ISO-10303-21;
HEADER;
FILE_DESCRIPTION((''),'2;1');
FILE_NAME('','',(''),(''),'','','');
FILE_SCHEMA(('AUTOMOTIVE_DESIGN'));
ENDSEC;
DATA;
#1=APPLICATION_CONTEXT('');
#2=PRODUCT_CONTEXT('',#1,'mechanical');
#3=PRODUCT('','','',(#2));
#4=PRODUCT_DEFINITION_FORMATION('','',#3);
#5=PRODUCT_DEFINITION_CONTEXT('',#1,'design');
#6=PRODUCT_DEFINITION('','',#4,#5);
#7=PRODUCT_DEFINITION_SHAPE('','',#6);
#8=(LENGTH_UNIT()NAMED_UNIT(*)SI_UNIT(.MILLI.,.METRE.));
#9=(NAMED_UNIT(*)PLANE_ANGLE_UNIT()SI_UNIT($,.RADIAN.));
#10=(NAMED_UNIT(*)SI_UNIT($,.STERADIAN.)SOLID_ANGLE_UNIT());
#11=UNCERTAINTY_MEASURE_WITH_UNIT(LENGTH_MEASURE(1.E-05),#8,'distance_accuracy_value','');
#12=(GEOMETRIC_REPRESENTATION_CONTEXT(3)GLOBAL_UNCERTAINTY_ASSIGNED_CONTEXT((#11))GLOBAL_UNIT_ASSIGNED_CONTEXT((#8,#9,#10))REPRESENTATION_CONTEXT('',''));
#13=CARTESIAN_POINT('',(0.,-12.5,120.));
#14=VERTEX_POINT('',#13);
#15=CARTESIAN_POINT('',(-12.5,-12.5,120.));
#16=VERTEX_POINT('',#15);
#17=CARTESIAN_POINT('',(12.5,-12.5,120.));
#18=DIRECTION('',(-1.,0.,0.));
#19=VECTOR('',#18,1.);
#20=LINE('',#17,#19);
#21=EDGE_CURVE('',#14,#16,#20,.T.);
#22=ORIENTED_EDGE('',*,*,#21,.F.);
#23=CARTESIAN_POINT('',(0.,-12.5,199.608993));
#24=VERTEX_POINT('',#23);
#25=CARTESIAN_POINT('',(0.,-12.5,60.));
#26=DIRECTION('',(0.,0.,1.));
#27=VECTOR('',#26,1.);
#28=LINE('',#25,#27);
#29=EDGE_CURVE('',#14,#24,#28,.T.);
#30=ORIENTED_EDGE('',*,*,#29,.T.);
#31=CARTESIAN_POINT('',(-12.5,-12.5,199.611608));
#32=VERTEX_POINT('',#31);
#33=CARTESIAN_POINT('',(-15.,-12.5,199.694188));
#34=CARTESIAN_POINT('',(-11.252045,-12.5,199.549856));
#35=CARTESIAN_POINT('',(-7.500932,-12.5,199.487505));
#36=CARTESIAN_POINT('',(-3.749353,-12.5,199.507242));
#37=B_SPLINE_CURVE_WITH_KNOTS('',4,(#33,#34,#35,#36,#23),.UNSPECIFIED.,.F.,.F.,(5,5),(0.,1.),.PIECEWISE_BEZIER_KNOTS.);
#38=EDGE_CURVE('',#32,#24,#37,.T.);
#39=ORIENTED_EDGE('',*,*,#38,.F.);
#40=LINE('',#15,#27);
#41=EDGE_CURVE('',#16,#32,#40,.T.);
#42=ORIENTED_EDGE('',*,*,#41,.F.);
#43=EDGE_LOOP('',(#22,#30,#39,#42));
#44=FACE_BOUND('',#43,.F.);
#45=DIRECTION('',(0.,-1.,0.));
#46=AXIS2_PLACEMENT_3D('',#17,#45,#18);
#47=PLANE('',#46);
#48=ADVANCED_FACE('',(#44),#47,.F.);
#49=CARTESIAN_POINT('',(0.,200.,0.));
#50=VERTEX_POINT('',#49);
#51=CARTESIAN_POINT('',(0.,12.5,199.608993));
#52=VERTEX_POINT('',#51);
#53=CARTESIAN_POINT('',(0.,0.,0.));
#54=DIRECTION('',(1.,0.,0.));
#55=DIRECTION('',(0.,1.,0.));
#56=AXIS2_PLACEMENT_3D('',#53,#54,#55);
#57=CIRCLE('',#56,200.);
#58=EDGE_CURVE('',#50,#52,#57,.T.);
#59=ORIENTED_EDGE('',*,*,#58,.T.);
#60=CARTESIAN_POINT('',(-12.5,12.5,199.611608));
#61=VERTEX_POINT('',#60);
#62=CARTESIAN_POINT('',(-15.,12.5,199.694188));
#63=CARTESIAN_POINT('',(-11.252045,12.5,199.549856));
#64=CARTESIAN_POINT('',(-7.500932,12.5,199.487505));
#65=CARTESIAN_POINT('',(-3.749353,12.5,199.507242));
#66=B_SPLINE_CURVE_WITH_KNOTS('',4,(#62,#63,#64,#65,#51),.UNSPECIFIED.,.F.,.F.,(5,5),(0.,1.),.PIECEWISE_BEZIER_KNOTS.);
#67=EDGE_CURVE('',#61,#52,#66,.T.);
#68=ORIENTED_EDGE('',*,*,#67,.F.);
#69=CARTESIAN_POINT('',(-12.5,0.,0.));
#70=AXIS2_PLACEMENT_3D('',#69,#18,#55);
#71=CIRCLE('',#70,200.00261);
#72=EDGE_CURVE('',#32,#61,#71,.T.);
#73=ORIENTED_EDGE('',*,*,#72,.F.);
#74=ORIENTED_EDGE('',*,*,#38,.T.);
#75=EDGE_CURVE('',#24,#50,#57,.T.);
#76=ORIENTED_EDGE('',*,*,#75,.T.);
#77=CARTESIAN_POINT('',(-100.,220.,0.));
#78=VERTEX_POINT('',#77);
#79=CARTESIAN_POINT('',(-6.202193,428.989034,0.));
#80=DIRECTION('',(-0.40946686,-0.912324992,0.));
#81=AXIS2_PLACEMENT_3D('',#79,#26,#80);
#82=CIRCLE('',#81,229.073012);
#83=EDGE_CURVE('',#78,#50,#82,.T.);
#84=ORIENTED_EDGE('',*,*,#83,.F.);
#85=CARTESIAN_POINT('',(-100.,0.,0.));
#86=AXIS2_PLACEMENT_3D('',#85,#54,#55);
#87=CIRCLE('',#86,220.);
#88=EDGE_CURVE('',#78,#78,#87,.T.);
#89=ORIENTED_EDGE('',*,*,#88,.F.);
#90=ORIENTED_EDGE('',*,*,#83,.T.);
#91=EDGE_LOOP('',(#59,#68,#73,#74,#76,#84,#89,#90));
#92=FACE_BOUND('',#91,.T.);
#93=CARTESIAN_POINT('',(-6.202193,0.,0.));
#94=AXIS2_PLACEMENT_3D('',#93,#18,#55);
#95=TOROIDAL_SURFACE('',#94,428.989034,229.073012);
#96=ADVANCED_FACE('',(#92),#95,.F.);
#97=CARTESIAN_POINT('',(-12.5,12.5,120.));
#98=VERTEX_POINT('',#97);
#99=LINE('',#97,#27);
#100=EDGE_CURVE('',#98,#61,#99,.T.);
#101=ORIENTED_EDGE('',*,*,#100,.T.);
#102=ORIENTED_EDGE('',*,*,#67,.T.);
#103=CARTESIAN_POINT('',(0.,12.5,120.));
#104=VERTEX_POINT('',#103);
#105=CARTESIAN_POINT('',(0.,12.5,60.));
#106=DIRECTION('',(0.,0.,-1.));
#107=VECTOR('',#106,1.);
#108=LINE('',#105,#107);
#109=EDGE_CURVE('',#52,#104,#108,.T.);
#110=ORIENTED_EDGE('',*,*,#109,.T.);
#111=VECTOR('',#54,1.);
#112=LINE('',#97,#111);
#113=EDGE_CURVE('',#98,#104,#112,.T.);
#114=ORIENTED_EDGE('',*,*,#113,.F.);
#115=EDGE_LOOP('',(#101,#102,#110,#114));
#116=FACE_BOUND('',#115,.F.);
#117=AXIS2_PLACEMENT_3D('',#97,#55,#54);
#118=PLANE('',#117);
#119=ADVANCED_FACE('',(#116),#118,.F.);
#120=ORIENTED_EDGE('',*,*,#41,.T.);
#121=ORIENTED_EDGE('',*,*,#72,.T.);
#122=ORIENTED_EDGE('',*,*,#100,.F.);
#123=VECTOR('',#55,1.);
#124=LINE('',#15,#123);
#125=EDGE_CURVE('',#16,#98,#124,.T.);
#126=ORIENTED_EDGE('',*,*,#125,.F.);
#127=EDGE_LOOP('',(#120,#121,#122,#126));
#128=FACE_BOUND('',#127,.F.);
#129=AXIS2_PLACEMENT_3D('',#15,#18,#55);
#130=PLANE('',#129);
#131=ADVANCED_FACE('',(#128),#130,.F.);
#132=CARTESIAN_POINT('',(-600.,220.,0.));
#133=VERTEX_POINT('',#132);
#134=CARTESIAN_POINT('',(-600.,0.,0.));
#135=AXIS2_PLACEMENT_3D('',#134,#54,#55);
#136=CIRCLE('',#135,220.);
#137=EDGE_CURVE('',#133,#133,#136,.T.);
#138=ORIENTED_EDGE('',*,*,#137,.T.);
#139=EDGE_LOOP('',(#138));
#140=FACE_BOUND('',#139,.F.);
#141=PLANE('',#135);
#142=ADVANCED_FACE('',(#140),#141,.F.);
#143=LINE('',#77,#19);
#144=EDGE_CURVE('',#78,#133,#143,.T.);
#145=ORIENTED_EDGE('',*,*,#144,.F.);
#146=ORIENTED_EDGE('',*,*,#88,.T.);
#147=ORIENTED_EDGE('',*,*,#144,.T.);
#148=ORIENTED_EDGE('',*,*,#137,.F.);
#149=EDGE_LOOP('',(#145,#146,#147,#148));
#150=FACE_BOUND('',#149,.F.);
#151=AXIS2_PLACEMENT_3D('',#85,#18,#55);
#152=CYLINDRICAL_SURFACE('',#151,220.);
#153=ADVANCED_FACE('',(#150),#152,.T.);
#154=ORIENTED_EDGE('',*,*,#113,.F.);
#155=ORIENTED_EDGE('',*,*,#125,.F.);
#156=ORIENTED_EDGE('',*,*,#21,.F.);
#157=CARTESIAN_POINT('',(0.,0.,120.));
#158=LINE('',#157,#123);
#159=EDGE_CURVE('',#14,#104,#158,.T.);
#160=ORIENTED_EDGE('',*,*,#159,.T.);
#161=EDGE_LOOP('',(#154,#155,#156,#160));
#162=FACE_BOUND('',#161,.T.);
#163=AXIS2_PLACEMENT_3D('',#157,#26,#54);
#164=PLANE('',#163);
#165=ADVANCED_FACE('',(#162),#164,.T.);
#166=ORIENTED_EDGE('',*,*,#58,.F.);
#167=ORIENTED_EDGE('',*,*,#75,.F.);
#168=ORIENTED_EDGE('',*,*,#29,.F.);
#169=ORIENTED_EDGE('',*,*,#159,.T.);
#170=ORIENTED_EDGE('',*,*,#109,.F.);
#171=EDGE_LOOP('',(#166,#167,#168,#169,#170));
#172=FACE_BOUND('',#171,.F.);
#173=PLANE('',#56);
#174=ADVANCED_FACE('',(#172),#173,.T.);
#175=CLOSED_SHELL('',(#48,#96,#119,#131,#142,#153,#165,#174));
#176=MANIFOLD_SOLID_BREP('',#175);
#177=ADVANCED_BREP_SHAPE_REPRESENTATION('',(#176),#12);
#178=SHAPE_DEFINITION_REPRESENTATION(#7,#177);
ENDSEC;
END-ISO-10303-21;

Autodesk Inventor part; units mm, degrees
ref_plane "YZ Plane" through (0, 0, 0) normal (1, 0, 0) x (0, 1, 0)
ref_plane "XZ Plane" through (0, 0, 0) normal (0, 1, 0) x (-1, 0, 0)
sketch "Sketch2" plane through (0, 0, 0) normal (0, 0, 1) x (1, 0, 0)
  line L0 (0, 0) -> (0, 200)
  arc A0 (-100, 220) -> (0, 200) centre (-6.2023, 428.9887) ccw
  line L1 (-100, 220) -> (-600, 220)
  line L2 (-600, 220) -> (-600, 0)
  line L3 (-600, 0) -> (0, 0)
  dimension "d4" = 200
  dimension "d7" = 500
revolve "Revolution1" add sketch "Sketch2" angle 360 about axis through (-600, 0, 0) along (1, 0, 0)
ref_plane "Work Plane1" through (0, 0, 120) normal (0, 0, 1) x (1, 0, 0)
sketch "Sketch3" plane through (0, 0, 120) normal (0, 0, 1) x (1, 0, 0)
  line L0 (12.5, -12.5) -> (-12.5, -12.5)
  line L1 (-12.5, -12.5) -> (-12.5, 12.5)
  line L2 (-12.5, 12.5) -> (12.5, 12.5)
  line L3 (12.5, 12.5) -> (12.5, -12.5)
  line L4 (12.5, -12.5) -> (-12.5, 12.5) construction
  line L5 (-12.5, -12.5) -> (12.5, 12.5) construction
  point P0 (0, 0)
  dimension "d10" = 25
  dimension "d11" = 25
extrude "Extrusion1" cut sketch "Sketch3" along normal blind 200
properties part number "Practica 2"
